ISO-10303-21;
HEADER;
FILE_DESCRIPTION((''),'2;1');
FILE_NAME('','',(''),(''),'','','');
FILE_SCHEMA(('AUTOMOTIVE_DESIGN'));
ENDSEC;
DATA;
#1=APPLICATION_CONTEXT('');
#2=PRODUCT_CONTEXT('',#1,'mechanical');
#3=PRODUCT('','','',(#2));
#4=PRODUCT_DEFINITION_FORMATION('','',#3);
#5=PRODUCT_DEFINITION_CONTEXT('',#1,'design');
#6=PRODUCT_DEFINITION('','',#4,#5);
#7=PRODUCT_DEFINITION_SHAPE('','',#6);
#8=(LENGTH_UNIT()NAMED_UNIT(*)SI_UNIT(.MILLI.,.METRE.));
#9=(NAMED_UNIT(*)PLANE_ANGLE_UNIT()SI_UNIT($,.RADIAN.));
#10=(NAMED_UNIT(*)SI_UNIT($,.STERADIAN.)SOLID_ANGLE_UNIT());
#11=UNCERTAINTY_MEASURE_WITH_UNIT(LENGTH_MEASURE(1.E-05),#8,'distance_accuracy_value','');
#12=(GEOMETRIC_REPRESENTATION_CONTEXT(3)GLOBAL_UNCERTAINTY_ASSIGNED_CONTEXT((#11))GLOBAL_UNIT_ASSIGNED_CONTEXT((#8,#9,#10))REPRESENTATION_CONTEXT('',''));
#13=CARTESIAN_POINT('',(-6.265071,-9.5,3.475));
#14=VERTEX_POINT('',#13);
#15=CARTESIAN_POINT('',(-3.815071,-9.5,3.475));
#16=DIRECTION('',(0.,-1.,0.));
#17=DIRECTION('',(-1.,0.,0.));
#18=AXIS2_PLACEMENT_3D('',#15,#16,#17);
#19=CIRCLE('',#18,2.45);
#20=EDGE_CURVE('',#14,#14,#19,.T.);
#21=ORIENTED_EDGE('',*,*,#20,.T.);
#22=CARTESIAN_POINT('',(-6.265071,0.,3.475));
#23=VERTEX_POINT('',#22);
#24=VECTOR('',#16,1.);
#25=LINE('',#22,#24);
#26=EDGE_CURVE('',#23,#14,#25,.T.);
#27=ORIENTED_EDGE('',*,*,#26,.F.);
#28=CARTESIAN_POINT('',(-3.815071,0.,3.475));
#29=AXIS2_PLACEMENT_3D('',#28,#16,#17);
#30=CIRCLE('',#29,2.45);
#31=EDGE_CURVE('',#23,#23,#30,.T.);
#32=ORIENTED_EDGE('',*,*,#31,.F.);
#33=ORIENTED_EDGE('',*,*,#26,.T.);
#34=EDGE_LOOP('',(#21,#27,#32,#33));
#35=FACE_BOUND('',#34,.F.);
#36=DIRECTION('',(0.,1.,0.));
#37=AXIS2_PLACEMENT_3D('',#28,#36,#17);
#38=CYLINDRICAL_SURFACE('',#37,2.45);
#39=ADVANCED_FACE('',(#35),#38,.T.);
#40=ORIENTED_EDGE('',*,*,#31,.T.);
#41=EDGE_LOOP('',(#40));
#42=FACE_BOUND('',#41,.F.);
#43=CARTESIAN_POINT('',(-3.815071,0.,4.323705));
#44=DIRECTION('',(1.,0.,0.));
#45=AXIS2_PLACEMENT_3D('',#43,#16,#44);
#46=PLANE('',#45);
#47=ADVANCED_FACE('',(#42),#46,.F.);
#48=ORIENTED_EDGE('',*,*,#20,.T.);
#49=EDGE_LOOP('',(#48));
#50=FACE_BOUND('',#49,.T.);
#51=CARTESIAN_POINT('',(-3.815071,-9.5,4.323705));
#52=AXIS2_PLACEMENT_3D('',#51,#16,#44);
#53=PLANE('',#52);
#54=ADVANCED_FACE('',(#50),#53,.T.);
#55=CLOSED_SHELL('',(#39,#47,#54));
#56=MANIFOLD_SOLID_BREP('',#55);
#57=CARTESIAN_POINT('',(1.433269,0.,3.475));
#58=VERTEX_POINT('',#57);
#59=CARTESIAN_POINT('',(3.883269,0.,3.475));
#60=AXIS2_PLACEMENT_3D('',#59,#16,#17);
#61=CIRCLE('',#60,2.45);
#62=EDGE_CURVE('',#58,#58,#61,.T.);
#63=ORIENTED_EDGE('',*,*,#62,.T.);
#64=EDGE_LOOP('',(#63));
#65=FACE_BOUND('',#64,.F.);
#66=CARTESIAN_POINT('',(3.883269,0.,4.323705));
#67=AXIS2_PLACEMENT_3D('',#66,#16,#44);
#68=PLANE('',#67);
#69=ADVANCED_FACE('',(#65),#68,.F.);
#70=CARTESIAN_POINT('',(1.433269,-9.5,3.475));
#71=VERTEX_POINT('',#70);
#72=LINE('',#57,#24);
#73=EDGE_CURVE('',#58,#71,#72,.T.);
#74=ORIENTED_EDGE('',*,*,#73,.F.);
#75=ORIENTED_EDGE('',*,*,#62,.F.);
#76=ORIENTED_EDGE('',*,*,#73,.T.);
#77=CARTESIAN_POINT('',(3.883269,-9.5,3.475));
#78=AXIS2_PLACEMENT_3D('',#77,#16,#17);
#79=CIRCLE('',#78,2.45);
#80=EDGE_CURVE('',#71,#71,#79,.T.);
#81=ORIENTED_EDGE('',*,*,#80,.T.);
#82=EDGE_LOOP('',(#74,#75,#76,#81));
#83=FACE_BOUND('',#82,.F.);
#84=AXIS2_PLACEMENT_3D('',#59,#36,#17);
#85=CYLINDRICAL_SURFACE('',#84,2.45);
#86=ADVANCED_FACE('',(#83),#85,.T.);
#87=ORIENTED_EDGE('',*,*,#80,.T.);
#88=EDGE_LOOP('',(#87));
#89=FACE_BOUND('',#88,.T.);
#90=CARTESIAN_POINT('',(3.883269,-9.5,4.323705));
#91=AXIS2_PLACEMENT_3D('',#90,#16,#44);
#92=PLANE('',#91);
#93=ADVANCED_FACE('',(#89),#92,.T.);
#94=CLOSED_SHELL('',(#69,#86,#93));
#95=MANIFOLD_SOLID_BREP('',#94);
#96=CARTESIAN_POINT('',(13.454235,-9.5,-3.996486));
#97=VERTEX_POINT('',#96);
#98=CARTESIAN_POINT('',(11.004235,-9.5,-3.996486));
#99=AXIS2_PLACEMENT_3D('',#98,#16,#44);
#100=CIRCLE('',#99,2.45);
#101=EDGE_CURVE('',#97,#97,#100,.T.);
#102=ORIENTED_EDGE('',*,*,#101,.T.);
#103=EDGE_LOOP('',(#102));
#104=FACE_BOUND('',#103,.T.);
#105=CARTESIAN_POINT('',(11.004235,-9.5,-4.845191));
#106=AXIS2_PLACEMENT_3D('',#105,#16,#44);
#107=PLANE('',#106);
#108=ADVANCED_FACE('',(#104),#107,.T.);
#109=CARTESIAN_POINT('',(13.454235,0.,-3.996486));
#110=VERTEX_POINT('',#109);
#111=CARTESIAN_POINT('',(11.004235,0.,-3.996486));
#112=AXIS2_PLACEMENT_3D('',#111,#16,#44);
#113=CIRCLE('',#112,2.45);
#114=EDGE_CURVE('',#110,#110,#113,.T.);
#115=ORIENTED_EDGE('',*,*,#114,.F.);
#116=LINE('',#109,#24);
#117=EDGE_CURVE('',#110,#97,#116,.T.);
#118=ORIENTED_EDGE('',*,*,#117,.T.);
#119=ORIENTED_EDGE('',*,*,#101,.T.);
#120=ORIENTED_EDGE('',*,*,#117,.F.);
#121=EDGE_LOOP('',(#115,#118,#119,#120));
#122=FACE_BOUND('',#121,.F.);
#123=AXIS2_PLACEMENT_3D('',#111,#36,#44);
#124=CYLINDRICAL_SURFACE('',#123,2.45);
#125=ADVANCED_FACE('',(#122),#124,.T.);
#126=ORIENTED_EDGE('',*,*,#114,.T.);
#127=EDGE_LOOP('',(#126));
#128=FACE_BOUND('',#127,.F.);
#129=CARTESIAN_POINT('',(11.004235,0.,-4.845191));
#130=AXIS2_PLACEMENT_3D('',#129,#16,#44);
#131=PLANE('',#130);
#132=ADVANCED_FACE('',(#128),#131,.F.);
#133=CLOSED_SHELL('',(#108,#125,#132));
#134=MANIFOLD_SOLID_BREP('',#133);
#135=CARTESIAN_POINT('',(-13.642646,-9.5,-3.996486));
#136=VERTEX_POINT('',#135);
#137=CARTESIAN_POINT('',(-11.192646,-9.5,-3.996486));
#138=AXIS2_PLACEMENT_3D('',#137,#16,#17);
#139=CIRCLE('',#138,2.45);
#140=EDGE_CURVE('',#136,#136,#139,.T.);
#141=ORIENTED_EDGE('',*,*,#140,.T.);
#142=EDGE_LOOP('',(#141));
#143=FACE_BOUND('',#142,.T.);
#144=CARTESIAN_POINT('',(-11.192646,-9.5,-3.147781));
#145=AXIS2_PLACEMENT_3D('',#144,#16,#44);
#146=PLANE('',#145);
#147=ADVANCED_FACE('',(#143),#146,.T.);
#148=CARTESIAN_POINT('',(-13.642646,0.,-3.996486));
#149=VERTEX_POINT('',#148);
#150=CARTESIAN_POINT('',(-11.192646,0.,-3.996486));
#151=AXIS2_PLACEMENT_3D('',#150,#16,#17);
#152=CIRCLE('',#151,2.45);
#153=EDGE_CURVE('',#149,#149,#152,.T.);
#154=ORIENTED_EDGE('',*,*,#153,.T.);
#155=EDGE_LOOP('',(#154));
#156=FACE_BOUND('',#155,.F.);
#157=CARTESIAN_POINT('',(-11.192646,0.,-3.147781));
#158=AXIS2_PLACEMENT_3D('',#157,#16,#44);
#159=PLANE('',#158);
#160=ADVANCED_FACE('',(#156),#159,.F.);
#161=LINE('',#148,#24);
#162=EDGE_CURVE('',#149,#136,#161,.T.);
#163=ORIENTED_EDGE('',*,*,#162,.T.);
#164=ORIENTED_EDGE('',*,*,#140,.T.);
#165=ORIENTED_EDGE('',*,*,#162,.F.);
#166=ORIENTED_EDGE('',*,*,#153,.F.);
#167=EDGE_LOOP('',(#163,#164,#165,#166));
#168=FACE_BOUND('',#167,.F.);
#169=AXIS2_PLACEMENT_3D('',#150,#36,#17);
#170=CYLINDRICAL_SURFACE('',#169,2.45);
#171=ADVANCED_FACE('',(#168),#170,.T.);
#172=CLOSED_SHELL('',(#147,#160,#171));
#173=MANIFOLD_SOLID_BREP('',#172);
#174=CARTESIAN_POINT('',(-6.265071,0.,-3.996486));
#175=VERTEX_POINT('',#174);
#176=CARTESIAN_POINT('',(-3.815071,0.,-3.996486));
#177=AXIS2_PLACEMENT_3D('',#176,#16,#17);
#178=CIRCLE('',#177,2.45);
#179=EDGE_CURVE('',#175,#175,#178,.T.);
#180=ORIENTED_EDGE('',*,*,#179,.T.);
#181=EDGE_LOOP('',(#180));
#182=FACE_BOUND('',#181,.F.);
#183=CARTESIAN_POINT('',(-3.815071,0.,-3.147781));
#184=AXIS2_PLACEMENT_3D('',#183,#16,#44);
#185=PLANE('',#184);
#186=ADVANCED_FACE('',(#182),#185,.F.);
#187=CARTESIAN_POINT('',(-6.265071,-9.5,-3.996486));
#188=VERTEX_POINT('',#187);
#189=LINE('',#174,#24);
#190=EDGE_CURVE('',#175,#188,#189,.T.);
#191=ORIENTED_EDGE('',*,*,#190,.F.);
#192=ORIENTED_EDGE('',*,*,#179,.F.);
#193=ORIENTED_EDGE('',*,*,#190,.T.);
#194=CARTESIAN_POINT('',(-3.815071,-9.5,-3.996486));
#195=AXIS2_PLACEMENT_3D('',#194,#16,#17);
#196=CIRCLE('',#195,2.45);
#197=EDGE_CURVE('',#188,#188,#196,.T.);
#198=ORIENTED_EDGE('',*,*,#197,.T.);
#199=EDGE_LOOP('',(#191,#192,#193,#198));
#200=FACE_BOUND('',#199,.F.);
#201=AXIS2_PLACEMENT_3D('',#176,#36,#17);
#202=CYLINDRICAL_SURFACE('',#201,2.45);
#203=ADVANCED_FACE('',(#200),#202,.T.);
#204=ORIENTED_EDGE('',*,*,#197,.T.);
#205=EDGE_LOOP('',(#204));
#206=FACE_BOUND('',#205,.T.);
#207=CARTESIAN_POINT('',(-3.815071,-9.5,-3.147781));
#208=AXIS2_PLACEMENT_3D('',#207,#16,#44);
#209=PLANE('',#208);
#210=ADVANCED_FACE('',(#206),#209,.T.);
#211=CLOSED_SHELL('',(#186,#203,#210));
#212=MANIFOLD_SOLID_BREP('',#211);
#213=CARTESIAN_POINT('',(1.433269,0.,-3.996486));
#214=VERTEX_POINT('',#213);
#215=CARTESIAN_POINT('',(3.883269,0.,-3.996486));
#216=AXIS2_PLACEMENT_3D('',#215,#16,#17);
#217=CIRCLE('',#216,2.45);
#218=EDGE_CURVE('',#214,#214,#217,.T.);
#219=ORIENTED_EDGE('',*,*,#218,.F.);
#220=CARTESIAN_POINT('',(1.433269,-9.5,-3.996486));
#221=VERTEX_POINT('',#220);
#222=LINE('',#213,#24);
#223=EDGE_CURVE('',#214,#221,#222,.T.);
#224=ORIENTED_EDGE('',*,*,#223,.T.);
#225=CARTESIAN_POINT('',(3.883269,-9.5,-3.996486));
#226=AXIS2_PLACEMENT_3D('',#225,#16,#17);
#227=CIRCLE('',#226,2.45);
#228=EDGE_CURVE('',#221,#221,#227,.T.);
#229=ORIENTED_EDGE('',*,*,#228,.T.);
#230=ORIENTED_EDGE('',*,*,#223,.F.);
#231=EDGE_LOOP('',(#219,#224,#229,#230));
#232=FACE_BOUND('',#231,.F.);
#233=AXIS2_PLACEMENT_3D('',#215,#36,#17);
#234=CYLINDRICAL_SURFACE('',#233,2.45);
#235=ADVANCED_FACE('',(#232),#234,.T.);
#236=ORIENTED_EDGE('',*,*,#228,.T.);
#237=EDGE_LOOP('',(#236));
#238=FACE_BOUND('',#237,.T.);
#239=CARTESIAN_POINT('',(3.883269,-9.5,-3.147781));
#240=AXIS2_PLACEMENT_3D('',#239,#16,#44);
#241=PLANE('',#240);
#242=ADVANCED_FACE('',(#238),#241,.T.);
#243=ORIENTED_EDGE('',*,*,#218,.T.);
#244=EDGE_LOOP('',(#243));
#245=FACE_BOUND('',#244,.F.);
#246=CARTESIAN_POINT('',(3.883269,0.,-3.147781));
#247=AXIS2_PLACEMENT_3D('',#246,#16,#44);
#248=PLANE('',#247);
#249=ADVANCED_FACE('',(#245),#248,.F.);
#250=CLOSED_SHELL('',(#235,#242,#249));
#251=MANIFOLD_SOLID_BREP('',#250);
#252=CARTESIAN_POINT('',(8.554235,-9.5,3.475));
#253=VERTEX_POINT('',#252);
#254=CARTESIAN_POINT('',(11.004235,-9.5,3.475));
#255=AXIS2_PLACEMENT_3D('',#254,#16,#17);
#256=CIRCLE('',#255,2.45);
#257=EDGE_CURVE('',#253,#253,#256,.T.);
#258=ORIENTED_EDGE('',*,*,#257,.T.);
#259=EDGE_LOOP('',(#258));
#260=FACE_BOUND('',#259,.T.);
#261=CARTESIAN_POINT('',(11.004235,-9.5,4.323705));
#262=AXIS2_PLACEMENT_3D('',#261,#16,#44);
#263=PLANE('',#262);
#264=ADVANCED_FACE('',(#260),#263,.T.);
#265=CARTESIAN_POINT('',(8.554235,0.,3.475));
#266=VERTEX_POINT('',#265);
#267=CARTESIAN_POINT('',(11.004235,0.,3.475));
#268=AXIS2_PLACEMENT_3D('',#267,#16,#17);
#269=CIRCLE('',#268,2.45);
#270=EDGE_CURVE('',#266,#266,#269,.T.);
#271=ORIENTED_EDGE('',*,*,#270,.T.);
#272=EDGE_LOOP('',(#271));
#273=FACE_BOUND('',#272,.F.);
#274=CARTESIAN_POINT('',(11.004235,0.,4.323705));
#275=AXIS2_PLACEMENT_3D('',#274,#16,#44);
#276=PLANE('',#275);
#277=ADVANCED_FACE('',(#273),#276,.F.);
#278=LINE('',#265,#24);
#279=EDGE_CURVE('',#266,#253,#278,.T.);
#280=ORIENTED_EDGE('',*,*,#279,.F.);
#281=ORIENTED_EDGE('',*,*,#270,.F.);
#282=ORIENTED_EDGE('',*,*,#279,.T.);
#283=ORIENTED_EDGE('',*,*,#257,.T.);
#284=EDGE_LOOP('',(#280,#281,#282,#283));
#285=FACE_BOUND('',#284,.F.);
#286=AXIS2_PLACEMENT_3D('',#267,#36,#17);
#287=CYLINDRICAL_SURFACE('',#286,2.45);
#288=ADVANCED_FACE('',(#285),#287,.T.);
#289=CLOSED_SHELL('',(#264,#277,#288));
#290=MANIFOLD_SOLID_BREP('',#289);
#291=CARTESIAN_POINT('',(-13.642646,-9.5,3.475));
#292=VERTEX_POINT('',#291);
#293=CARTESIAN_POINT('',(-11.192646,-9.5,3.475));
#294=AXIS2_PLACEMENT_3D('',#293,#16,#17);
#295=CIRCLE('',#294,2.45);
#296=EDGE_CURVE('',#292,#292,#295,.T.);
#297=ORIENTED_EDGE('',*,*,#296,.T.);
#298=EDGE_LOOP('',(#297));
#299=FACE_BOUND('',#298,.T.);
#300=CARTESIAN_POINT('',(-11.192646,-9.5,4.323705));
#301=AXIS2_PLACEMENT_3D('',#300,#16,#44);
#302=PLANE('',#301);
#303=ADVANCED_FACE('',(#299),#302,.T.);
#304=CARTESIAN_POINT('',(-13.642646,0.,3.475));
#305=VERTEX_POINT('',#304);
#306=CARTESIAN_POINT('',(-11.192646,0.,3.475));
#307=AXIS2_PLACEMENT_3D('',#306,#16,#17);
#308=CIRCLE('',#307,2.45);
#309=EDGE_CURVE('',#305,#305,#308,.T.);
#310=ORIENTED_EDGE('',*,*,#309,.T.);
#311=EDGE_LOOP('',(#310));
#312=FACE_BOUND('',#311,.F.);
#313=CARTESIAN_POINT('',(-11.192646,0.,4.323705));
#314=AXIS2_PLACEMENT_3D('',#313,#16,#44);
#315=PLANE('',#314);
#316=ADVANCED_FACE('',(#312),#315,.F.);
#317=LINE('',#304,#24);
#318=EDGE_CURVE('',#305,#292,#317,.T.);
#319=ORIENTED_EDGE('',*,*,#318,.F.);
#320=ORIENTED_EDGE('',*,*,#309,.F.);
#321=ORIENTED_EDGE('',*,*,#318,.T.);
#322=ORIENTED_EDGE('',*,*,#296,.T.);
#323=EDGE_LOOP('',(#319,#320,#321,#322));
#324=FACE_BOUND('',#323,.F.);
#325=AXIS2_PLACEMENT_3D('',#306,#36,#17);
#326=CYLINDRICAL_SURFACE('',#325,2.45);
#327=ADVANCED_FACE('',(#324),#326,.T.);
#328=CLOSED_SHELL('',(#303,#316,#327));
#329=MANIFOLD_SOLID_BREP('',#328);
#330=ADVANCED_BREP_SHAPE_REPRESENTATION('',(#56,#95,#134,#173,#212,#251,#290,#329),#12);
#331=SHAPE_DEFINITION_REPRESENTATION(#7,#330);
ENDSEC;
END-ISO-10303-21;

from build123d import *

# Parameters (mm, degrees)
F1_DEPTH = 9.5


with BuildPart() as f1:
    # F0 (on Front) → F1 (new body)
    with BuildSketch(Plane.XZ):
        with BuildLine():
            ThreePointArc((-8.7426458776, 3.475), (-11.1926458776, 5.925), (-13.6426458776, 3.475))
            Line((-13.6426458776, 3.475), (-11.1926458776, 3.475))
            Line((-11.1926458776, 3.475), (-8.7426458776, 3.475))
        make_face()
        with BuildLine():
            Line((-11.1926458776, 3.475), (-13.6426458776, 3.475))
            ThreePointArc((-13.6426458776, 3.475), (-11.1926458776, 1.025), (-8.7426458776, 3.475))
            Line((-8.7426458776, 3.475), (-11.1926458776, 3.475))
        make_face()
    extrude(amount=F1_DEPTH)


with BuildPart() as f1b:
    # F0 (on Front) → F1, piece 2 (new body)
    with BuildSketch(Plane.XZ):
        with BuildLine():
            ThreePointArc((-1.365070726, 3.475), (-3.815070726, 5.925), (-6.265070726, 3.475))
            Line((-6.265070726, 3.475), (-1.365070726, 3.475))
        make_face()
        with BuildLine():
            Line((-1.365070726, 3.475), (-6.265070726, 3.475))
            ThreePointArc((-6.265070726, 3.475), (-3.815070726, 1.025), (-1.365070726, 3.475))
        make_face()
    extrude(amount=F1_DEPTH)


with BuildPart() as f1c:
    # F0 (on Front) → F1, piece 3 (new body)
    with BuildSketch(Plane.XZ):
        with BuildLine():
            Line((1.4332693826, 3.475), (6.3332693826, 3.475))
            ThreePointArc((6.3332693826, 3.475), (3.8832693826, 5.925), (1.4332693826, 3.475))
        make_face()
        with BuildLine():
            ThreePointArc((1.4332693826, 3.475), (3.8832693826, 1.025), (6.3332693826, 3.475))
            Line((6.3332693826, 3.475), (1.4332693826, 3.475))
        make_face()
    extrude(amount=F1_DEPTH)


with BuildPart() as f1d:
    # F0 (on Front) → F1, piece 4 (new body)
    with BuildSketch(Plane.XZ):
        with BuildLine():
            Line((13.415, 3.475), (13.4542346641, 3.475))
            ThreePointArc((13.4542346641, 3.475), (11.0042346641, 5.925), (8.5542346641, 3.475))
            Line((8.5542346641, 3.475), (13.415, 3.475))
        make_face()
        with BuildLine():
            ThreePointArc((8.5542346641, 3.475), (11.0042346641, 1.025), (13.4542346641, 3.475))
            Line((13.4542346641, 3.475), (13.415, 3.475))
            Line((13.415, 3.475), (8.5542346641, 3.475))
        make_face()
    extrude(amount=F1_DEPTH)


with BuildPart() as f1e:
    # F0 (on Front) → F1, piece 5 (new body)
    with BuildSketch(Plane.XZ):
        with BuildLine():
            ThreePointArc((8.5542346641, -3.9964863099), (11.0042346641, -6.4464863099), (13.4542346641, -3.9964863099))
            Line((13.4542346641, -3.9964863099), (8.5542346641, -3.9964863099))
        make_face()
        with BuildLine():
            Line((8.5542346641, -3.9964863099), (13.4542346641, -3.9964863099))
            ThreePointArc((13.4542346641, -3.9964863099), (11.0042346641, -1.5464863099), (8.5542346641, -3.9964863099))
        make_face()
    extrude(amount=F1_DEPTH)


with BuildPart() as f1f:
    # F0 (on Front) → F1, piece 6 (new body)
    with BuildSketch(Plane.XZ):
        with BuildLine():
            Line((1.4332693826, -3.9964863099), (6.3332693826, -3.9964863099))
            ThreePointArc((6.3332693826, -3.9964863099), (3.8832693826, -1.5464863099), (1.4332693826, -3.9964863099))
        make_face()
        with BuildLine():
            ThreePointArc((1.4332693826, -3.9964863099), (3.8832693826, -6.4464863099), (6.3332693826, -3.9964863099))
            Line((6.3332693826, -3.9964863099), (1.4332693826, -3.9964863099))
        make_face()
    extrude(amount=F1_DEPTH)


with BuildPart() as f1g:
    # F0 (on Front) → F1, piece 7 (new body)
    with BuildSketch(Plane.XZ):
        with BuildLine():
            ThreePointArc((-1.365070726, -3.9964863099), (-3.815070726, -1.5464863099), (-6.265070726, -3.9964863099))
            Line((-6.265070726, -3.9964863099), (-1.365070726, -3.9964863099))
        make_face()
        with BuildLine():
            Line((-1.365070726, -3.9964863099), (-6.265070726, -3.9964863099))
            ThreePointArc((-6.265070726, -3.9964863099), (-3.815070726, -6.4464863099), (-1.365070726, -3.9964863099))
        make_face()
    extrude(amount=F1_DEPTH)


with BuildPart() as f1h:
    # F0 (on Front) → F1, piece 8 (new body)
    with BuildSketch(Plane.XZ):
        with BuildLine():
            ThreePointArc((-8.7426458776, -3.9964863099), (-11.1926458776, -1.5464863099), (-13.6426458776, -3.9964863099))
            Line((-13.6426458776, -3.9964863099), (-8.7426458776, -3.9964863099))
        make_face()
        with BuildLine():
            Line((-8.7426458776, -3.9964863099), (-13.6426458776, -3.9964863099))
            ThreePointArc((-13.6426458776, -3.9964863099), (-11.1926458776, -6.4464863099), (-8.7426458776, -3.9964863099))
        make_face()
    extrude(amount=F1_DEPTH)


solid = Compound([f1.part, f1b.part, f1c.part, f1d.part, f1e.part, f1f.part, f1g.part, f1h.part])
